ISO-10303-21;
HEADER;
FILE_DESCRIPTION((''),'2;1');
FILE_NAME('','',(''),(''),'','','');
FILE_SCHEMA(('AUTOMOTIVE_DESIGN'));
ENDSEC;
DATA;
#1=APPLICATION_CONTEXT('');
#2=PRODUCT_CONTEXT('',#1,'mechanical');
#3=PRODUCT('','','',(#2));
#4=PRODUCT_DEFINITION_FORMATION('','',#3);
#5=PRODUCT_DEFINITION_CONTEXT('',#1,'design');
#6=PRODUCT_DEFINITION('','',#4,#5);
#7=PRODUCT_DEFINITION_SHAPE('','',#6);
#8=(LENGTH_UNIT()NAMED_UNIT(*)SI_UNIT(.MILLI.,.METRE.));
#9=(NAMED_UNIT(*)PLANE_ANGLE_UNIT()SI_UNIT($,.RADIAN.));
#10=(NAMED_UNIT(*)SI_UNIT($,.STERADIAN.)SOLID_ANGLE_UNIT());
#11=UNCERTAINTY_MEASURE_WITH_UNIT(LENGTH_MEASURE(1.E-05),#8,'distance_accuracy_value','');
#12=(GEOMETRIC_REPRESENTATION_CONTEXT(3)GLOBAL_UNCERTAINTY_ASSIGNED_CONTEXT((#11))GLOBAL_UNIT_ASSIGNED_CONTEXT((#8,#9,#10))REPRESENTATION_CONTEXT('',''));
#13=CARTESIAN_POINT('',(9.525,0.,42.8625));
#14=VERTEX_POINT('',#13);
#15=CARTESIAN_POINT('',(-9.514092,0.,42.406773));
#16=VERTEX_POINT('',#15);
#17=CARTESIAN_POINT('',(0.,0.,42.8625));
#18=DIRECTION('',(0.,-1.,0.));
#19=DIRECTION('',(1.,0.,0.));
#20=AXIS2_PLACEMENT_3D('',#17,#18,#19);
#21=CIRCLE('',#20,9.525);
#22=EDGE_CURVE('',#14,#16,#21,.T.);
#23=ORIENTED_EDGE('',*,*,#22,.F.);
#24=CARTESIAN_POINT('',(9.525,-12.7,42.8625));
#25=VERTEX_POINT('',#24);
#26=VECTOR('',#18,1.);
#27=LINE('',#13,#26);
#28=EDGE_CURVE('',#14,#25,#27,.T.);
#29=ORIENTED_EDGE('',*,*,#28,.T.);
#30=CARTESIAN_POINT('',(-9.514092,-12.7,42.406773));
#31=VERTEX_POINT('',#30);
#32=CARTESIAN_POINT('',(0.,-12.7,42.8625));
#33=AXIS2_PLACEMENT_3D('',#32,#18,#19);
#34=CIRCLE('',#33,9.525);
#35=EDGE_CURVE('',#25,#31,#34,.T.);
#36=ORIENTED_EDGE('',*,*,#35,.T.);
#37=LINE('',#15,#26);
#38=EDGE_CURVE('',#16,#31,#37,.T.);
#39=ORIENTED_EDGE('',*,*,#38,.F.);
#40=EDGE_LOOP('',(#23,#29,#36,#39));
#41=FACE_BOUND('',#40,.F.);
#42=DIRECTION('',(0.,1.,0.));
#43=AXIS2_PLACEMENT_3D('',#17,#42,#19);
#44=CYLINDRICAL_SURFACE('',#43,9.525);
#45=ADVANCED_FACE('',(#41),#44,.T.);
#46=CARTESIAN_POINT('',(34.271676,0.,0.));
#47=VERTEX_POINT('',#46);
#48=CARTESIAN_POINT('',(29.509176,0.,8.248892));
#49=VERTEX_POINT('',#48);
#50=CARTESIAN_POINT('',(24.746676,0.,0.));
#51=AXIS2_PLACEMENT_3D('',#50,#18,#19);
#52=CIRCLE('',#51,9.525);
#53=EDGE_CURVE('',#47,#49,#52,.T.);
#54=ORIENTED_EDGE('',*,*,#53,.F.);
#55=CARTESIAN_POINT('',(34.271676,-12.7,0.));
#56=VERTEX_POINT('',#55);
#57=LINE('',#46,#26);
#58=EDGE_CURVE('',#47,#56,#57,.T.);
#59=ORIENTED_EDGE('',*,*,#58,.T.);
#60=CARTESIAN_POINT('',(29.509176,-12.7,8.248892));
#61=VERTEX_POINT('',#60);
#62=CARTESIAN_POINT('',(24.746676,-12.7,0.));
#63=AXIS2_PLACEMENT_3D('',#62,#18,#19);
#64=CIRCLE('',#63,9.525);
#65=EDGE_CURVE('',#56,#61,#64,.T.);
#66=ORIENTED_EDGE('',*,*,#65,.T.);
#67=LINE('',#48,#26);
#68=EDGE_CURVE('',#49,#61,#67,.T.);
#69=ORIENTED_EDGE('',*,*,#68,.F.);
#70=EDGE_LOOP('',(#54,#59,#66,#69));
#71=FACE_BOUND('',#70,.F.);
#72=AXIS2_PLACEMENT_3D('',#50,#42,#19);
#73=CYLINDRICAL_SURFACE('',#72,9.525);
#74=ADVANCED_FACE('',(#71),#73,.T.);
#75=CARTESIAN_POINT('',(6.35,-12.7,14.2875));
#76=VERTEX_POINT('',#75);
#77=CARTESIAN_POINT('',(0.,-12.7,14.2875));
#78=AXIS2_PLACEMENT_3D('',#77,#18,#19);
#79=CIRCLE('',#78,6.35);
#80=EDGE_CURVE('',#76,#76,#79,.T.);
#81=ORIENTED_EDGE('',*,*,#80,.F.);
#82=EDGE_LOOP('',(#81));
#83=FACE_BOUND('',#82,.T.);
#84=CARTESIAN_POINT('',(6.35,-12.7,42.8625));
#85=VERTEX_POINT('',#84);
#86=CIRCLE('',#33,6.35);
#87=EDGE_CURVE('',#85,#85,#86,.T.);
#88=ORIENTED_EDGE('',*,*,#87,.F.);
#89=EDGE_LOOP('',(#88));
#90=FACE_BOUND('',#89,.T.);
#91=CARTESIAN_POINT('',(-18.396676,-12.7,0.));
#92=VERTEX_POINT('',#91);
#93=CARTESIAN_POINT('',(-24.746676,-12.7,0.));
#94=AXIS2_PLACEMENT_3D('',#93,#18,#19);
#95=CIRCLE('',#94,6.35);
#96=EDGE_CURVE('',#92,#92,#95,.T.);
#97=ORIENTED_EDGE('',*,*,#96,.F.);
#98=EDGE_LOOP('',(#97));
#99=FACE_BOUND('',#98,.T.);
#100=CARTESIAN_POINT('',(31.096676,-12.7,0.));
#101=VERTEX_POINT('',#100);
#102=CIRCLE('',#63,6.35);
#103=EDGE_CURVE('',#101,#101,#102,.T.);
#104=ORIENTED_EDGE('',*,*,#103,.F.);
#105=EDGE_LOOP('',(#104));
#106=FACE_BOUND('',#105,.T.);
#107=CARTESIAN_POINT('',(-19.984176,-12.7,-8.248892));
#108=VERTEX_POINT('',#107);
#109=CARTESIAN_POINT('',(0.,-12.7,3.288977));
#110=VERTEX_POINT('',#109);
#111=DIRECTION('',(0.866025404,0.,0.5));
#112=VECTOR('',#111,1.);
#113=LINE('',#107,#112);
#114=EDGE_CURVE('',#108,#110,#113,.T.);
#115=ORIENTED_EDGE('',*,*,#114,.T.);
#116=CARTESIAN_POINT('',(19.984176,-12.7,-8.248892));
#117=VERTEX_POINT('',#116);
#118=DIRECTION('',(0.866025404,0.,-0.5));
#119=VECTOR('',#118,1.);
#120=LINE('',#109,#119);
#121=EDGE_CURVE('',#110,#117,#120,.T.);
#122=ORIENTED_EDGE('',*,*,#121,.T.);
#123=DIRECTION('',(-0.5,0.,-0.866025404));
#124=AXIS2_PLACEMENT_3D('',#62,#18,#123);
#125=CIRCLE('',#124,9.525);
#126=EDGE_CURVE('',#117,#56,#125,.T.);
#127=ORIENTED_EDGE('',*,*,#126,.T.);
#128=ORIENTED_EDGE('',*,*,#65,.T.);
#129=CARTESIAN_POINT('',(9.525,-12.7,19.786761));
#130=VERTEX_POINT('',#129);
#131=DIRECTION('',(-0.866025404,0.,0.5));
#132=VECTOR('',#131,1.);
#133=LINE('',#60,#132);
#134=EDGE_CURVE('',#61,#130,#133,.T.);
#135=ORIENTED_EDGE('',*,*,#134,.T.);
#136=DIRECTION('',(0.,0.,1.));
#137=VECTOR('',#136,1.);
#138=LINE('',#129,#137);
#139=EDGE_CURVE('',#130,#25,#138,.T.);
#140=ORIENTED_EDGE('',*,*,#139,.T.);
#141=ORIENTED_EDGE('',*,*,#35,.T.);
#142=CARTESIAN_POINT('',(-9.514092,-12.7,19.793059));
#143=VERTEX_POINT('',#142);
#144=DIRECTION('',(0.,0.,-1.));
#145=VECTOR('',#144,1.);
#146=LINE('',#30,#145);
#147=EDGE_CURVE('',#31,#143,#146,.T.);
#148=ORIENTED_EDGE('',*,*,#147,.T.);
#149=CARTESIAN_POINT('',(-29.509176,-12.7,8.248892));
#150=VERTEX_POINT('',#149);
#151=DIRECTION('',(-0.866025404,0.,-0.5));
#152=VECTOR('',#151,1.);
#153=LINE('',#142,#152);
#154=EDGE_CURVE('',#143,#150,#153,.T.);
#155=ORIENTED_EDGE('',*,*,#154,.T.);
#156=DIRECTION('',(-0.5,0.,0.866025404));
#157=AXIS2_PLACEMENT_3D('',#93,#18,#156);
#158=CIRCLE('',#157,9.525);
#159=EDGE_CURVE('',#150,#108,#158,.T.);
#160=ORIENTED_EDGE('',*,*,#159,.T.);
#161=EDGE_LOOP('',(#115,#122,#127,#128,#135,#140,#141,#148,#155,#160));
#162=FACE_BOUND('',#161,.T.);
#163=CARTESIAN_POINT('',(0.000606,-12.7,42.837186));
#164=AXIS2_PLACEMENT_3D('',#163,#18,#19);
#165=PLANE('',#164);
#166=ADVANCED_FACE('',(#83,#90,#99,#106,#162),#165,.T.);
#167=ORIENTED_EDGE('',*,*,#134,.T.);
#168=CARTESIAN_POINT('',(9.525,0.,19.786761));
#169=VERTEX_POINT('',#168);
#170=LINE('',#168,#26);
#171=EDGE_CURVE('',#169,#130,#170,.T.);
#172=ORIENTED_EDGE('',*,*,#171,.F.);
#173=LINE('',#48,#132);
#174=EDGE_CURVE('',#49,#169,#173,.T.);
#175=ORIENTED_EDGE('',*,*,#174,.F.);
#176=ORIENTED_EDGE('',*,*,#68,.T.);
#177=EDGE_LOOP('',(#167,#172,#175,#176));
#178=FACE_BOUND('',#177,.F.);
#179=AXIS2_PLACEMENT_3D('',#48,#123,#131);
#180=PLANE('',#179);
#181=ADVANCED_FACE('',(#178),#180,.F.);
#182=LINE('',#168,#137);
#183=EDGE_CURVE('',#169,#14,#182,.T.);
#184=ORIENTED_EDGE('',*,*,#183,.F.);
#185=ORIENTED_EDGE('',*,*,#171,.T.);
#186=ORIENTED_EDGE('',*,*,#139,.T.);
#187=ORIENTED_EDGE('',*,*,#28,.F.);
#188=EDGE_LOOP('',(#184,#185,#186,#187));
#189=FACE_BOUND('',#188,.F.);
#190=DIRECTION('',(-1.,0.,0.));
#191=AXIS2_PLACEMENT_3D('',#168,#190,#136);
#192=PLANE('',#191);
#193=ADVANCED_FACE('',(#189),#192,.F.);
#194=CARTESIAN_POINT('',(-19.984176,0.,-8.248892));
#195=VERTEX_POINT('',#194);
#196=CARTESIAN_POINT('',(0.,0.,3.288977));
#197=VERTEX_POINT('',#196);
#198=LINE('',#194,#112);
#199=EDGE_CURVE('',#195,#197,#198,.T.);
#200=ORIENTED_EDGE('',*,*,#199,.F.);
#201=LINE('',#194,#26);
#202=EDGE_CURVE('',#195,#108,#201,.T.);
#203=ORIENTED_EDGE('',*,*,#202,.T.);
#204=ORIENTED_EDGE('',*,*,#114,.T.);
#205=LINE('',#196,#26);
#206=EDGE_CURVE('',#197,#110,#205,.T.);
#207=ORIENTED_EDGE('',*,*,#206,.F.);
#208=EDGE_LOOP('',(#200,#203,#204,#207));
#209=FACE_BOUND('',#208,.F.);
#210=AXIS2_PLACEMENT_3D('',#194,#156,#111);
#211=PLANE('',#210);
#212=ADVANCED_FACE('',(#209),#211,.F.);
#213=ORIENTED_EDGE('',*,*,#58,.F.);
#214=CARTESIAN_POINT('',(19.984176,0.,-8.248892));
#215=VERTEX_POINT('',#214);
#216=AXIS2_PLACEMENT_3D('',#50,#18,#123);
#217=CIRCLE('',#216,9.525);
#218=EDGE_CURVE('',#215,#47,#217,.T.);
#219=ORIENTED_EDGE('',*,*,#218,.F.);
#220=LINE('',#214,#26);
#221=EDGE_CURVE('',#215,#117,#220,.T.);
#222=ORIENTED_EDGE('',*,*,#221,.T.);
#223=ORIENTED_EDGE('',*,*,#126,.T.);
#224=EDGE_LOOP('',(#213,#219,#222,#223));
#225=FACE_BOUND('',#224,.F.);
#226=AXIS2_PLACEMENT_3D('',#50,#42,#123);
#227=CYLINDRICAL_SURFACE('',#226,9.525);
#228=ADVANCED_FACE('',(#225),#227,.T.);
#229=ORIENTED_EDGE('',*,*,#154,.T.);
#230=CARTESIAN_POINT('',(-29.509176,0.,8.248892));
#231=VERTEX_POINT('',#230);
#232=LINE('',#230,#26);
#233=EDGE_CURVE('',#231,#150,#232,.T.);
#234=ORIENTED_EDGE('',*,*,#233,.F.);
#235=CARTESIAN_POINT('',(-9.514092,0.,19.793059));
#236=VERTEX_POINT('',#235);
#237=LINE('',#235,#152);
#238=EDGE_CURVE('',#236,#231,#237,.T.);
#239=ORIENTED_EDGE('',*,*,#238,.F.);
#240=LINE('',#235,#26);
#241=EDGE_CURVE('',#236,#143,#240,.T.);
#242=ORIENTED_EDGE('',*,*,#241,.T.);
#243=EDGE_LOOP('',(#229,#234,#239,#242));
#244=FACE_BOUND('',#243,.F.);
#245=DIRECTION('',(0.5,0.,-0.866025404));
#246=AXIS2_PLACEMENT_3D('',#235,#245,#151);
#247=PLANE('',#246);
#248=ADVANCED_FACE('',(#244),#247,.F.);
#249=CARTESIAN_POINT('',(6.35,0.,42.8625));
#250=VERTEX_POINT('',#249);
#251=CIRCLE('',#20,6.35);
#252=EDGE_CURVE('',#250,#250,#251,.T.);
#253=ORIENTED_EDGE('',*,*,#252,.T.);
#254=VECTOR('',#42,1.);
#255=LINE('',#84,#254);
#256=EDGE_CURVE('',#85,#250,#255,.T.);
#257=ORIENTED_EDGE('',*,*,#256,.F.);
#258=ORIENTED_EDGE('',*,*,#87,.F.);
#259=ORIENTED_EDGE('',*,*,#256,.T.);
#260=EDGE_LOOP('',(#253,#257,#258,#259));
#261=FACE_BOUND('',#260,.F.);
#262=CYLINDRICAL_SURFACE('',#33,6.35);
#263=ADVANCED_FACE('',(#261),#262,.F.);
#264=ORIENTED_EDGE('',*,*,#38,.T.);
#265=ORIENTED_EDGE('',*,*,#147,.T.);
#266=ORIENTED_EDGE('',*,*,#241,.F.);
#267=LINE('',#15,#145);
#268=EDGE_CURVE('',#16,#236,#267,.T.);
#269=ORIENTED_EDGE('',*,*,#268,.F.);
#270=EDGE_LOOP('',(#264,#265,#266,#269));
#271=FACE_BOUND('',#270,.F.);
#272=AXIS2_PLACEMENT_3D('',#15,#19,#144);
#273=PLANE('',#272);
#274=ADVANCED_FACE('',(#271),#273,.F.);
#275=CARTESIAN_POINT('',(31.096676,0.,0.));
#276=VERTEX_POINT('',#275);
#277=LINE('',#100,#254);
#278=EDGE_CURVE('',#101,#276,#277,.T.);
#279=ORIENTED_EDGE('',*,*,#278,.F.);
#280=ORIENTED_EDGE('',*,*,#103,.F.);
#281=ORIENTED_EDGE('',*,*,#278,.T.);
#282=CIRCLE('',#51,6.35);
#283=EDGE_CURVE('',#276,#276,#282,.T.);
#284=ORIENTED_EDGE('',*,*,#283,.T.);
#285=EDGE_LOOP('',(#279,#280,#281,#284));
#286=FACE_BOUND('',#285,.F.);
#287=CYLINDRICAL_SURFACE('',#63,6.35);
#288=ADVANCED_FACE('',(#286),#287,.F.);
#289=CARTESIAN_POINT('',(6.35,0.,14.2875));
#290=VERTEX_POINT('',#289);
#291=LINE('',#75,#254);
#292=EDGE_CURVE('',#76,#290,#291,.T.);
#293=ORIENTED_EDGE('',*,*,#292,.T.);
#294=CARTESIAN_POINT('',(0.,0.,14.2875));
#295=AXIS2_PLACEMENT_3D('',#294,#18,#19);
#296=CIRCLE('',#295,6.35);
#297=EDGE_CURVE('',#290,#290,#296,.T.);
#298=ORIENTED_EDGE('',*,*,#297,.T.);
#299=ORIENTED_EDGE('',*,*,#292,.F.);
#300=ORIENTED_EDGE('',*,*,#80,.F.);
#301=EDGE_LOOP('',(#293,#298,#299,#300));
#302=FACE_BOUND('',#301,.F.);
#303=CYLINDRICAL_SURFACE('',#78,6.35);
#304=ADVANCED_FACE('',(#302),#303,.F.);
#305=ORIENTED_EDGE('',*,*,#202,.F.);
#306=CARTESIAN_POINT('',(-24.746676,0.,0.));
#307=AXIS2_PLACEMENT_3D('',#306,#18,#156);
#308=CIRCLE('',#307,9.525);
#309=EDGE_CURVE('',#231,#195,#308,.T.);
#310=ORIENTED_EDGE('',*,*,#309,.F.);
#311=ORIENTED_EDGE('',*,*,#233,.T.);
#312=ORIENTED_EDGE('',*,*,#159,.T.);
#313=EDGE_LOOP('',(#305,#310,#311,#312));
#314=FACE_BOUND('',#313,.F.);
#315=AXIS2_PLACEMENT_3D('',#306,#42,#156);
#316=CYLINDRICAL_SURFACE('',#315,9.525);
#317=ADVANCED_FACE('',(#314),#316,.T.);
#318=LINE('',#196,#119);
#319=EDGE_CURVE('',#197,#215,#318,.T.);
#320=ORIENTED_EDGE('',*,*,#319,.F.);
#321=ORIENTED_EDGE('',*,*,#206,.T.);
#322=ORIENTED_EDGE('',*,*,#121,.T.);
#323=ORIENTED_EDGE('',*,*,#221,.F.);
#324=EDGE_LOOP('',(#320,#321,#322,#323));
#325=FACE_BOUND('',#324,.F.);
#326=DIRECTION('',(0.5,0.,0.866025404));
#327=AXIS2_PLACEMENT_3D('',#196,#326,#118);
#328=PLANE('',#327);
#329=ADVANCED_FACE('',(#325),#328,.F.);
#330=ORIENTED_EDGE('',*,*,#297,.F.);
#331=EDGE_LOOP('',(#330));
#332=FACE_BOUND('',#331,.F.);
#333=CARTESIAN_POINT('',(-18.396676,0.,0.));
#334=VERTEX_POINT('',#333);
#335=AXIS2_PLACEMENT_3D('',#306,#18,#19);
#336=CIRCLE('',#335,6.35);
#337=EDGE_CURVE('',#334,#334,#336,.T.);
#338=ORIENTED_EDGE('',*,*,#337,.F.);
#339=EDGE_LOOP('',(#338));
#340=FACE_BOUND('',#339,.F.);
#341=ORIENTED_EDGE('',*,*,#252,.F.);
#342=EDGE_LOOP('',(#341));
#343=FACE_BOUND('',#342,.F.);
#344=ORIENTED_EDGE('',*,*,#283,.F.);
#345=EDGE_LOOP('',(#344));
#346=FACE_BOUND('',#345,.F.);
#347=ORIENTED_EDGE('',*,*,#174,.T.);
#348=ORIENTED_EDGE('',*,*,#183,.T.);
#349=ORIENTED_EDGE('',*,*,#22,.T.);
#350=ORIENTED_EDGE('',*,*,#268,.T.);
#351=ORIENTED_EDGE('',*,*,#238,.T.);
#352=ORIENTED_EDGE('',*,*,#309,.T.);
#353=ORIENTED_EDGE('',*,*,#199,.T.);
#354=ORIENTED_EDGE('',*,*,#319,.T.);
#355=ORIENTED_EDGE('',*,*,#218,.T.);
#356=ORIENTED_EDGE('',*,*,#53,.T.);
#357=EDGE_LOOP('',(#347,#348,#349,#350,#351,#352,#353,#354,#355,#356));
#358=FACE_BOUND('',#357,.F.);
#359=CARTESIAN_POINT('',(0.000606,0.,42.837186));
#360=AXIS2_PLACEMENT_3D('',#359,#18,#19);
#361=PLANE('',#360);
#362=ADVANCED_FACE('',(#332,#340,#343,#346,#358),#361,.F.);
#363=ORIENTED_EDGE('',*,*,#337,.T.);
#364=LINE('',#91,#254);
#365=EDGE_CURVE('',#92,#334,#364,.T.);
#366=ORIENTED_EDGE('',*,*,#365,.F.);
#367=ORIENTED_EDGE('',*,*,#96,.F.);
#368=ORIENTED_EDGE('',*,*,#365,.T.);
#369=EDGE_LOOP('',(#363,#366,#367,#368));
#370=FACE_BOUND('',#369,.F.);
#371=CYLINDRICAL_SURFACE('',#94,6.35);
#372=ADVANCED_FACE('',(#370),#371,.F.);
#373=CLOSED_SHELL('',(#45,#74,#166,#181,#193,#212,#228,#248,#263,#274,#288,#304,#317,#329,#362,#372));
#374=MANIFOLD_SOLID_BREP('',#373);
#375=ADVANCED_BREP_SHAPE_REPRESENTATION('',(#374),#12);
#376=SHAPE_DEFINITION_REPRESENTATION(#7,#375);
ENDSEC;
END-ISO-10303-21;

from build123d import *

# Parameters (mm, degrees)
F1_DEPTH = 12.7
F2_R     = 6.35
F3_DEPTH = 12.701


with BuildPart() as f1:
    # F0 (on Front) → F1 (new body)
    with BuildSketch(Plane.XZ):
        with BuildLine():
            ThreePointArc((-9.5140915631, 42.4067734045), (0.2279285655, 33.3402274997), (9.525, 42.8625))
            ThreePointArc((9.525, 42.8625), (-0.2279285655, 52.3847725003), (-9.5140915631, 42.4067734045))
        make_face()
        with BuildLine():
            Line((9.525, 19.786761314), (9.525, 42.8625))
            ThreePointArc((9.525, 42.8625), (0.2279285655, 33.3402274997), (-9.5140915631, 42.4067734045))
            Line((-9.5140915631, 42.4067734045), (-9.5140915631, 19.793059303))
            Line((-9.5140915631, 19.793059303), (-29.5091759131, 8.248891971))
            ThreePointArc((-29.5091759131, 8.248891971), (-19.9841759131, 8.248891971), (-15.2216759131, 0))
            ThreePointArc((-15.2216759131, 0), (-16.4977839421, -4.7625), (-19.9841759131, -8.248891971))
            Line((-19.9841759131, -8.248891971), (0, 3.2889773719))
            Line((0, 3.2889773719), (19.9841759131, -8.248891971))
            ThreePointArc((19.9841759131, -8.248891971), (16.4977839421, 4.7625), (29.5091759131, 8.248891971))
            Line((29.5091759131, 8.248891971), (9.525, 19.786761314))
        make_face()
        with BuildLine():
            ThreePointArc((-15.2216759131, 0), (-19.9841759131, 8.248891971), (-29.5091759131, 8.248891971))
            ThreePointArc((-29.5091759131, 8.248891971), (-32.9955678842, -4.7625), (-19.9841759131, -8.248891971))
            ThreePointArc((-19.9841759131, -8.248891971), (-16.4977839421, -4.7625), (-15.2216759131, 0))
        make_face()
        with BuildLine():
            ThreePointArc((34.2716759131, 0), (32.9955678842, 4.7625), (29.5091759131, 8.248891971))
            ThreePointArc((29.5091759131, 8.248891971), (16.4977839421, 4.7625), (19.9841759131, -8.248891971))
            ThreePointArc((19.9841759131, -8.248891971), (29.5091759131, -8.248891971), (34.2716759131, 0))
        make_face()
    extrude(amount=F1_DEPTH)

    # F2 (on face) → F3 (cut, through all)
    with BuildSketch(Plane.XZ.offset(12.7)):
        with Locations((-24.7466759131, 0)):
            Circle(F2_R)
        with Locations((0, 14.2875)):
            Circle(F2_R)
        with Locations((0, 42.8625)):
            Circle(F2_R)
        with Locations((24.7466759131, 0)):
            Circle(F2_R)
    extrude(amount=-F3_DEPTH, mode=Mode.SUBTRACT)


solid = f1.part
